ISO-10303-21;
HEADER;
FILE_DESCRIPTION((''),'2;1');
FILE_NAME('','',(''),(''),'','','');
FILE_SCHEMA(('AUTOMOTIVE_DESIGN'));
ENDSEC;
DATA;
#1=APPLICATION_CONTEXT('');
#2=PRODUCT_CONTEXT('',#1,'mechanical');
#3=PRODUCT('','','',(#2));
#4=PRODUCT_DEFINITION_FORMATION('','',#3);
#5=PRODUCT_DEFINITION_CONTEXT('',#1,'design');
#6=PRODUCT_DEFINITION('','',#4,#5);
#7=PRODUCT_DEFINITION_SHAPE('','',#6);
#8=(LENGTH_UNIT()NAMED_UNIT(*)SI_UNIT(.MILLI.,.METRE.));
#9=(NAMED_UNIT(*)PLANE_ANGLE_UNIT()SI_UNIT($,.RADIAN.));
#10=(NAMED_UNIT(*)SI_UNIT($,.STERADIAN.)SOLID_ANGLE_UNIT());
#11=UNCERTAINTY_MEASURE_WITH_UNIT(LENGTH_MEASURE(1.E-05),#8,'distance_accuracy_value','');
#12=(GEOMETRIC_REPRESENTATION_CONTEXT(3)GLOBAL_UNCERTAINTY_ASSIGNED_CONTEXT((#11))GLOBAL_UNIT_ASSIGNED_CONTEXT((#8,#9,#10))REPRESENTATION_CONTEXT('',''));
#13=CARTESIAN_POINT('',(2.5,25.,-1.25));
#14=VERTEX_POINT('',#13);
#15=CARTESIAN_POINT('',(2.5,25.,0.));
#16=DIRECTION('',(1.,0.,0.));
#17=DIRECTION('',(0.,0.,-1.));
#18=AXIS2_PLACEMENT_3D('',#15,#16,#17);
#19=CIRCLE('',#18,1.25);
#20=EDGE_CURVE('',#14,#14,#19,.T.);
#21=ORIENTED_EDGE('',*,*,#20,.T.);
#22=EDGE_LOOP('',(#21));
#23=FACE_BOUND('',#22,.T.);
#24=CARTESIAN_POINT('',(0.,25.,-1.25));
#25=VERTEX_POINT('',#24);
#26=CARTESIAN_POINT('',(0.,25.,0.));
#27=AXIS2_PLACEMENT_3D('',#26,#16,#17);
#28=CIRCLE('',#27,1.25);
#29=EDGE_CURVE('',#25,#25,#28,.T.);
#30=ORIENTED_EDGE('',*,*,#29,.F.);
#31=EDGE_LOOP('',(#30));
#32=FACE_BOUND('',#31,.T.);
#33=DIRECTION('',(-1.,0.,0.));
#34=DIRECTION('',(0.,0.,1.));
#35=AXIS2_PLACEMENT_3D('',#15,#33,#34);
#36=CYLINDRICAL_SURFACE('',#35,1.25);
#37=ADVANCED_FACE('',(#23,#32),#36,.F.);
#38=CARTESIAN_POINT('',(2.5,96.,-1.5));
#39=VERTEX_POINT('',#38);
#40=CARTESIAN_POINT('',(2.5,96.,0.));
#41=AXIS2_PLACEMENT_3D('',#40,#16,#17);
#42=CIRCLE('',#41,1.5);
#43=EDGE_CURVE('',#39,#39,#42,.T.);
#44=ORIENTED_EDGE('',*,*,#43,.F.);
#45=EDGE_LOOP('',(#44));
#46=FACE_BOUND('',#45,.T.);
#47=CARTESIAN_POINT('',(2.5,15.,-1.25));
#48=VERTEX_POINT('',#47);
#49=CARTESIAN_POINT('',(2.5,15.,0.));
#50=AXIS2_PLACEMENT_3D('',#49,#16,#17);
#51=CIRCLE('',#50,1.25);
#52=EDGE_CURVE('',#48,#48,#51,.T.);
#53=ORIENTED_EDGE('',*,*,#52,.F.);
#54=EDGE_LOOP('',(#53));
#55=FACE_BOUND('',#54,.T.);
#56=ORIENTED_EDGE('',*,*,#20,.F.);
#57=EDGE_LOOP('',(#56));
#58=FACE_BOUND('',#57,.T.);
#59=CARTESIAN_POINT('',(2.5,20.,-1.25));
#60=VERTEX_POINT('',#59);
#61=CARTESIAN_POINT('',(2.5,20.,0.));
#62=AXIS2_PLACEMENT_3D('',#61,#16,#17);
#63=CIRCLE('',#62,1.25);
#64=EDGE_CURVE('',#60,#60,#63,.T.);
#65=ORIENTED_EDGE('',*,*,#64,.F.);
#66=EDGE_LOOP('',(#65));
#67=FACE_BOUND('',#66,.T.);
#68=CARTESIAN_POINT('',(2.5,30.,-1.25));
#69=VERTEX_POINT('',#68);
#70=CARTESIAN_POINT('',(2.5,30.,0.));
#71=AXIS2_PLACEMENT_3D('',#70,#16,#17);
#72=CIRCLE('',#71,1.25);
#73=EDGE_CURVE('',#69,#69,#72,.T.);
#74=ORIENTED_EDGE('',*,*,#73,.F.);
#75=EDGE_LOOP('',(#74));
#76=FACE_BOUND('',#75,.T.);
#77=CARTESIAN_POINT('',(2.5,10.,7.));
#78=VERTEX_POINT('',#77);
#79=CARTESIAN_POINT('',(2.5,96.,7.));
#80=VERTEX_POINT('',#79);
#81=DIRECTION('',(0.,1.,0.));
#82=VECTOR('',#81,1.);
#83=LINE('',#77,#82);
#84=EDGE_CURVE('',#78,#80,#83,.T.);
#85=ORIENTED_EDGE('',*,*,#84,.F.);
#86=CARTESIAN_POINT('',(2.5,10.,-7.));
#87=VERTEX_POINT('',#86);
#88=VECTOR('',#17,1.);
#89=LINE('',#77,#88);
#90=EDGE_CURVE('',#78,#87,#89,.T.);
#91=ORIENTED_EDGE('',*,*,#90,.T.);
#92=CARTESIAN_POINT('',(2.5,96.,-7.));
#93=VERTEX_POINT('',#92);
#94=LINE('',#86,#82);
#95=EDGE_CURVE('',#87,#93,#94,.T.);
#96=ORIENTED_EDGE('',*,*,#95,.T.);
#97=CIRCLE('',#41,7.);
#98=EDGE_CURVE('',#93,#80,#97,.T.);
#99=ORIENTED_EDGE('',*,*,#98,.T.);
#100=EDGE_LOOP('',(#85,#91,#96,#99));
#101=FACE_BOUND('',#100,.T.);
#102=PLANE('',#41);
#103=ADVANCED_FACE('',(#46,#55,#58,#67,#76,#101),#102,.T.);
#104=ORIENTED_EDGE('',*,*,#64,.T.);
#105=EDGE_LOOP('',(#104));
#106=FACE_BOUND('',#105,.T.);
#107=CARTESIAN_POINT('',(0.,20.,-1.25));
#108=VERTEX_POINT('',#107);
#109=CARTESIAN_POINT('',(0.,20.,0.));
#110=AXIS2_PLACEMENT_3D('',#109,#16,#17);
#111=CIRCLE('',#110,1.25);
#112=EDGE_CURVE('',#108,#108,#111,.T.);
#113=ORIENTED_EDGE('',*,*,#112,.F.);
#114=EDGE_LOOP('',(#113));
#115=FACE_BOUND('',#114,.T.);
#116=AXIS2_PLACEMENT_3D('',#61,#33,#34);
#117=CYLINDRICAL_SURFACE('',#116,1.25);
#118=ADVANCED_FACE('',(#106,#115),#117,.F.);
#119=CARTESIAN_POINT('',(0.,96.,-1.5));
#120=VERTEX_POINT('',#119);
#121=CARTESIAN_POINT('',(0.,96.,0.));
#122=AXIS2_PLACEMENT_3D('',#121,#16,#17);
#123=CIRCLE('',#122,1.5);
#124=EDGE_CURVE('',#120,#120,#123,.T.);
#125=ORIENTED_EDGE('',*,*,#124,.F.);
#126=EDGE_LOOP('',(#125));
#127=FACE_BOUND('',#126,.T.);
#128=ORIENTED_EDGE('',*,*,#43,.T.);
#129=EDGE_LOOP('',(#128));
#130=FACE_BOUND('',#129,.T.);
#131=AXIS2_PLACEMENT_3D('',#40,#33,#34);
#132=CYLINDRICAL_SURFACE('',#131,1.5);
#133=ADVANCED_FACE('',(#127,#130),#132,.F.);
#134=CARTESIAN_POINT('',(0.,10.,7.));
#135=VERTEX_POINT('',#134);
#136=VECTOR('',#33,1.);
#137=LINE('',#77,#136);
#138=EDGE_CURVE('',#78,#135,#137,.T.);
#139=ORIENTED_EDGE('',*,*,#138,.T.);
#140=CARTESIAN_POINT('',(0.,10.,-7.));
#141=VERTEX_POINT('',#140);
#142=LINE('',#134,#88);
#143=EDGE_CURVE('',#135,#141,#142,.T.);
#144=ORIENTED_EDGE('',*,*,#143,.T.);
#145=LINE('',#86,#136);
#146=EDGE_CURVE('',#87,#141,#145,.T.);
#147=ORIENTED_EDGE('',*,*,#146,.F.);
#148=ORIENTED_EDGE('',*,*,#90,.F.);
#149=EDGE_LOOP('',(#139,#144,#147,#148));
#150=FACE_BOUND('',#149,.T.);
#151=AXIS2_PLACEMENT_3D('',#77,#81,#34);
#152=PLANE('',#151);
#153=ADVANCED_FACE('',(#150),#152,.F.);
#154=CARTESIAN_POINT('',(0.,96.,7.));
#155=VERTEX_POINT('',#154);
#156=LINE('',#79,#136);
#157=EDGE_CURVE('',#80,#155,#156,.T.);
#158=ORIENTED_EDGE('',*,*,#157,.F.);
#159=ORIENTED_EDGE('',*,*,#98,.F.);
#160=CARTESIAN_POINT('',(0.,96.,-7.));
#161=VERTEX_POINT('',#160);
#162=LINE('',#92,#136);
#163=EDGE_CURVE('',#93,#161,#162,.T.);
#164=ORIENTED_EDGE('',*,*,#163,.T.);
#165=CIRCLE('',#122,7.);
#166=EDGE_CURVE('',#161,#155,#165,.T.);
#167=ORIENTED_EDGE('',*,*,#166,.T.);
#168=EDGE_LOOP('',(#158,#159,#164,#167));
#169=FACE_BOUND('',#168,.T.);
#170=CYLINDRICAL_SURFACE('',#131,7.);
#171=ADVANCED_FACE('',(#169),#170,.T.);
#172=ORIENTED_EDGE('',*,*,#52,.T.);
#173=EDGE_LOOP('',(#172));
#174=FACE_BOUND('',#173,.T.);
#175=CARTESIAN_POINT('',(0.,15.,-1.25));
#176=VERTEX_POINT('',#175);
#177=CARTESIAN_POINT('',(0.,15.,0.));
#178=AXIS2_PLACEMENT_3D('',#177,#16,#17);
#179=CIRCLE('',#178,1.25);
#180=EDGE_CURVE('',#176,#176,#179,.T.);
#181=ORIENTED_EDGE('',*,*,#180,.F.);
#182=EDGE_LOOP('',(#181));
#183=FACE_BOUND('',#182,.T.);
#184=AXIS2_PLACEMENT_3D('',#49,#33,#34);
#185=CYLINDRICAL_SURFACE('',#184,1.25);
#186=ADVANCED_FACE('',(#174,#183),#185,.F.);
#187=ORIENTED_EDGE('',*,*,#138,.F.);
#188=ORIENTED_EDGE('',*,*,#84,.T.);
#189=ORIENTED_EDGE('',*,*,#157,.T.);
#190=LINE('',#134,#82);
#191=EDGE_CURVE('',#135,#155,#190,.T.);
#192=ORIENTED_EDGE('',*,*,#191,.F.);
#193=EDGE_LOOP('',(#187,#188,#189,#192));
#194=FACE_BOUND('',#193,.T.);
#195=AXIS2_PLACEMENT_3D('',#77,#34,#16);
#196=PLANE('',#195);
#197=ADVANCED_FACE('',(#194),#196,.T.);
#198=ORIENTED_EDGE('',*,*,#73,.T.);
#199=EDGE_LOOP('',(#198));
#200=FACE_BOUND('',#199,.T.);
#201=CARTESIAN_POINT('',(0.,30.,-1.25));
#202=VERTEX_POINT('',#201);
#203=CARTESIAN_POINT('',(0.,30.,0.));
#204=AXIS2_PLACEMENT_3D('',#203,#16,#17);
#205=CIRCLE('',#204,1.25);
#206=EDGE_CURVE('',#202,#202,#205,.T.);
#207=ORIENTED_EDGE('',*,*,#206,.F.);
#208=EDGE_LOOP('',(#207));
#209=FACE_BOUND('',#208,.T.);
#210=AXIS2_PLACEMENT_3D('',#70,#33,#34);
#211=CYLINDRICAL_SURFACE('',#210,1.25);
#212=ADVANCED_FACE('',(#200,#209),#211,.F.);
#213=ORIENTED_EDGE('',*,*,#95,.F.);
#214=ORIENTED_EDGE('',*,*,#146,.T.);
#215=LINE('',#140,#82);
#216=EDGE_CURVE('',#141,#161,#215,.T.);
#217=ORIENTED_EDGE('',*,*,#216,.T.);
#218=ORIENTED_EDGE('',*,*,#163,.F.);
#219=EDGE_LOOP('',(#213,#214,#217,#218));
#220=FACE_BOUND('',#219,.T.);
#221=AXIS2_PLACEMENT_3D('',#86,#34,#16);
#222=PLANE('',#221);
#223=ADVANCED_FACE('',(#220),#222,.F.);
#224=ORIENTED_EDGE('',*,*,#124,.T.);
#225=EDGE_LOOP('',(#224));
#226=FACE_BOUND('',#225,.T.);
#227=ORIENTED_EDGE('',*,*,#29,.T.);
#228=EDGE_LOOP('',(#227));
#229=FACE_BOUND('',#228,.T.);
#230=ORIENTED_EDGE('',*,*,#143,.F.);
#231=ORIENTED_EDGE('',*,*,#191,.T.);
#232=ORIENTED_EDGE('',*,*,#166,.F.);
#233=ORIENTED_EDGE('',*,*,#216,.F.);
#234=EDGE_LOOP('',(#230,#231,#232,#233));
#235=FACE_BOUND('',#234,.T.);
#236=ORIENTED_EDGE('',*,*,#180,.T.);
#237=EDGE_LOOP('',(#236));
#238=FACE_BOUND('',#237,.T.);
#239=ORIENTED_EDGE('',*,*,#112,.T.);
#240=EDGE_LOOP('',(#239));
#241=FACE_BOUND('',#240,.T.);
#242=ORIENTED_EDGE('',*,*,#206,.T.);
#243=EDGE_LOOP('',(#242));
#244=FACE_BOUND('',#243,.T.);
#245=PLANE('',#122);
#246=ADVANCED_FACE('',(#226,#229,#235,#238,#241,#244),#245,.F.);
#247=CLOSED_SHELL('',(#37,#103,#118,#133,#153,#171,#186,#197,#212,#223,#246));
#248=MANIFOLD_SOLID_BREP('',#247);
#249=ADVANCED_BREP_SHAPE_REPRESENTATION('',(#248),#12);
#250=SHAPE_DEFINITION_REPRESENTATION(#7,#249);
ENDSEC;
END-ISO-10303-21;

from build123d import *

# Parameters (mm, degrees)
SKETCH1_R           = 1.5
SKETCH1_R_2         = 1.25
BOSS_EXTRUDE1_DEPTH = 2.5


with BuildPart() as part:
    # Sketch1 → Boss-Extrude1 (new body)
    with BuildSketch(Plane(origin=(0, 0, 0), x_dir=(0, 0, -1), z_dir=(1, 0, 0))):
        with BuildLine():
            Line((-7, 10), (-7, 96))
            ThreePointArc((-7, 96), (0, 103), (7, 96))
            Line((7, 96), (7, 10))
            Line((7, 10), (-7, 10))
        make_face()
        with Locations((0, 96)):
            Circle(SKETCH1_R, mode=Mode.SUBTRACT)
        with Locations((0, 15)):
            Circle(SKETCH1_R_2, mode=Mode.SUBTRACT)
        with Locations((0, 20)):
            Circle(SKETCH1_R_2, mode=Mode.SUBTRACT)
        with Locations((0, 25)):
            Circle(SKETCH1_R_2, mode=Mode.SUBTRACT)
        with Locations((0, 30)):
            Circle(SKETCH1_R_2, mode=Mode.SUBTRACT)
    extrude(amount=BOSS_EXTRUDE1_DEPTH)


solid = part.part
